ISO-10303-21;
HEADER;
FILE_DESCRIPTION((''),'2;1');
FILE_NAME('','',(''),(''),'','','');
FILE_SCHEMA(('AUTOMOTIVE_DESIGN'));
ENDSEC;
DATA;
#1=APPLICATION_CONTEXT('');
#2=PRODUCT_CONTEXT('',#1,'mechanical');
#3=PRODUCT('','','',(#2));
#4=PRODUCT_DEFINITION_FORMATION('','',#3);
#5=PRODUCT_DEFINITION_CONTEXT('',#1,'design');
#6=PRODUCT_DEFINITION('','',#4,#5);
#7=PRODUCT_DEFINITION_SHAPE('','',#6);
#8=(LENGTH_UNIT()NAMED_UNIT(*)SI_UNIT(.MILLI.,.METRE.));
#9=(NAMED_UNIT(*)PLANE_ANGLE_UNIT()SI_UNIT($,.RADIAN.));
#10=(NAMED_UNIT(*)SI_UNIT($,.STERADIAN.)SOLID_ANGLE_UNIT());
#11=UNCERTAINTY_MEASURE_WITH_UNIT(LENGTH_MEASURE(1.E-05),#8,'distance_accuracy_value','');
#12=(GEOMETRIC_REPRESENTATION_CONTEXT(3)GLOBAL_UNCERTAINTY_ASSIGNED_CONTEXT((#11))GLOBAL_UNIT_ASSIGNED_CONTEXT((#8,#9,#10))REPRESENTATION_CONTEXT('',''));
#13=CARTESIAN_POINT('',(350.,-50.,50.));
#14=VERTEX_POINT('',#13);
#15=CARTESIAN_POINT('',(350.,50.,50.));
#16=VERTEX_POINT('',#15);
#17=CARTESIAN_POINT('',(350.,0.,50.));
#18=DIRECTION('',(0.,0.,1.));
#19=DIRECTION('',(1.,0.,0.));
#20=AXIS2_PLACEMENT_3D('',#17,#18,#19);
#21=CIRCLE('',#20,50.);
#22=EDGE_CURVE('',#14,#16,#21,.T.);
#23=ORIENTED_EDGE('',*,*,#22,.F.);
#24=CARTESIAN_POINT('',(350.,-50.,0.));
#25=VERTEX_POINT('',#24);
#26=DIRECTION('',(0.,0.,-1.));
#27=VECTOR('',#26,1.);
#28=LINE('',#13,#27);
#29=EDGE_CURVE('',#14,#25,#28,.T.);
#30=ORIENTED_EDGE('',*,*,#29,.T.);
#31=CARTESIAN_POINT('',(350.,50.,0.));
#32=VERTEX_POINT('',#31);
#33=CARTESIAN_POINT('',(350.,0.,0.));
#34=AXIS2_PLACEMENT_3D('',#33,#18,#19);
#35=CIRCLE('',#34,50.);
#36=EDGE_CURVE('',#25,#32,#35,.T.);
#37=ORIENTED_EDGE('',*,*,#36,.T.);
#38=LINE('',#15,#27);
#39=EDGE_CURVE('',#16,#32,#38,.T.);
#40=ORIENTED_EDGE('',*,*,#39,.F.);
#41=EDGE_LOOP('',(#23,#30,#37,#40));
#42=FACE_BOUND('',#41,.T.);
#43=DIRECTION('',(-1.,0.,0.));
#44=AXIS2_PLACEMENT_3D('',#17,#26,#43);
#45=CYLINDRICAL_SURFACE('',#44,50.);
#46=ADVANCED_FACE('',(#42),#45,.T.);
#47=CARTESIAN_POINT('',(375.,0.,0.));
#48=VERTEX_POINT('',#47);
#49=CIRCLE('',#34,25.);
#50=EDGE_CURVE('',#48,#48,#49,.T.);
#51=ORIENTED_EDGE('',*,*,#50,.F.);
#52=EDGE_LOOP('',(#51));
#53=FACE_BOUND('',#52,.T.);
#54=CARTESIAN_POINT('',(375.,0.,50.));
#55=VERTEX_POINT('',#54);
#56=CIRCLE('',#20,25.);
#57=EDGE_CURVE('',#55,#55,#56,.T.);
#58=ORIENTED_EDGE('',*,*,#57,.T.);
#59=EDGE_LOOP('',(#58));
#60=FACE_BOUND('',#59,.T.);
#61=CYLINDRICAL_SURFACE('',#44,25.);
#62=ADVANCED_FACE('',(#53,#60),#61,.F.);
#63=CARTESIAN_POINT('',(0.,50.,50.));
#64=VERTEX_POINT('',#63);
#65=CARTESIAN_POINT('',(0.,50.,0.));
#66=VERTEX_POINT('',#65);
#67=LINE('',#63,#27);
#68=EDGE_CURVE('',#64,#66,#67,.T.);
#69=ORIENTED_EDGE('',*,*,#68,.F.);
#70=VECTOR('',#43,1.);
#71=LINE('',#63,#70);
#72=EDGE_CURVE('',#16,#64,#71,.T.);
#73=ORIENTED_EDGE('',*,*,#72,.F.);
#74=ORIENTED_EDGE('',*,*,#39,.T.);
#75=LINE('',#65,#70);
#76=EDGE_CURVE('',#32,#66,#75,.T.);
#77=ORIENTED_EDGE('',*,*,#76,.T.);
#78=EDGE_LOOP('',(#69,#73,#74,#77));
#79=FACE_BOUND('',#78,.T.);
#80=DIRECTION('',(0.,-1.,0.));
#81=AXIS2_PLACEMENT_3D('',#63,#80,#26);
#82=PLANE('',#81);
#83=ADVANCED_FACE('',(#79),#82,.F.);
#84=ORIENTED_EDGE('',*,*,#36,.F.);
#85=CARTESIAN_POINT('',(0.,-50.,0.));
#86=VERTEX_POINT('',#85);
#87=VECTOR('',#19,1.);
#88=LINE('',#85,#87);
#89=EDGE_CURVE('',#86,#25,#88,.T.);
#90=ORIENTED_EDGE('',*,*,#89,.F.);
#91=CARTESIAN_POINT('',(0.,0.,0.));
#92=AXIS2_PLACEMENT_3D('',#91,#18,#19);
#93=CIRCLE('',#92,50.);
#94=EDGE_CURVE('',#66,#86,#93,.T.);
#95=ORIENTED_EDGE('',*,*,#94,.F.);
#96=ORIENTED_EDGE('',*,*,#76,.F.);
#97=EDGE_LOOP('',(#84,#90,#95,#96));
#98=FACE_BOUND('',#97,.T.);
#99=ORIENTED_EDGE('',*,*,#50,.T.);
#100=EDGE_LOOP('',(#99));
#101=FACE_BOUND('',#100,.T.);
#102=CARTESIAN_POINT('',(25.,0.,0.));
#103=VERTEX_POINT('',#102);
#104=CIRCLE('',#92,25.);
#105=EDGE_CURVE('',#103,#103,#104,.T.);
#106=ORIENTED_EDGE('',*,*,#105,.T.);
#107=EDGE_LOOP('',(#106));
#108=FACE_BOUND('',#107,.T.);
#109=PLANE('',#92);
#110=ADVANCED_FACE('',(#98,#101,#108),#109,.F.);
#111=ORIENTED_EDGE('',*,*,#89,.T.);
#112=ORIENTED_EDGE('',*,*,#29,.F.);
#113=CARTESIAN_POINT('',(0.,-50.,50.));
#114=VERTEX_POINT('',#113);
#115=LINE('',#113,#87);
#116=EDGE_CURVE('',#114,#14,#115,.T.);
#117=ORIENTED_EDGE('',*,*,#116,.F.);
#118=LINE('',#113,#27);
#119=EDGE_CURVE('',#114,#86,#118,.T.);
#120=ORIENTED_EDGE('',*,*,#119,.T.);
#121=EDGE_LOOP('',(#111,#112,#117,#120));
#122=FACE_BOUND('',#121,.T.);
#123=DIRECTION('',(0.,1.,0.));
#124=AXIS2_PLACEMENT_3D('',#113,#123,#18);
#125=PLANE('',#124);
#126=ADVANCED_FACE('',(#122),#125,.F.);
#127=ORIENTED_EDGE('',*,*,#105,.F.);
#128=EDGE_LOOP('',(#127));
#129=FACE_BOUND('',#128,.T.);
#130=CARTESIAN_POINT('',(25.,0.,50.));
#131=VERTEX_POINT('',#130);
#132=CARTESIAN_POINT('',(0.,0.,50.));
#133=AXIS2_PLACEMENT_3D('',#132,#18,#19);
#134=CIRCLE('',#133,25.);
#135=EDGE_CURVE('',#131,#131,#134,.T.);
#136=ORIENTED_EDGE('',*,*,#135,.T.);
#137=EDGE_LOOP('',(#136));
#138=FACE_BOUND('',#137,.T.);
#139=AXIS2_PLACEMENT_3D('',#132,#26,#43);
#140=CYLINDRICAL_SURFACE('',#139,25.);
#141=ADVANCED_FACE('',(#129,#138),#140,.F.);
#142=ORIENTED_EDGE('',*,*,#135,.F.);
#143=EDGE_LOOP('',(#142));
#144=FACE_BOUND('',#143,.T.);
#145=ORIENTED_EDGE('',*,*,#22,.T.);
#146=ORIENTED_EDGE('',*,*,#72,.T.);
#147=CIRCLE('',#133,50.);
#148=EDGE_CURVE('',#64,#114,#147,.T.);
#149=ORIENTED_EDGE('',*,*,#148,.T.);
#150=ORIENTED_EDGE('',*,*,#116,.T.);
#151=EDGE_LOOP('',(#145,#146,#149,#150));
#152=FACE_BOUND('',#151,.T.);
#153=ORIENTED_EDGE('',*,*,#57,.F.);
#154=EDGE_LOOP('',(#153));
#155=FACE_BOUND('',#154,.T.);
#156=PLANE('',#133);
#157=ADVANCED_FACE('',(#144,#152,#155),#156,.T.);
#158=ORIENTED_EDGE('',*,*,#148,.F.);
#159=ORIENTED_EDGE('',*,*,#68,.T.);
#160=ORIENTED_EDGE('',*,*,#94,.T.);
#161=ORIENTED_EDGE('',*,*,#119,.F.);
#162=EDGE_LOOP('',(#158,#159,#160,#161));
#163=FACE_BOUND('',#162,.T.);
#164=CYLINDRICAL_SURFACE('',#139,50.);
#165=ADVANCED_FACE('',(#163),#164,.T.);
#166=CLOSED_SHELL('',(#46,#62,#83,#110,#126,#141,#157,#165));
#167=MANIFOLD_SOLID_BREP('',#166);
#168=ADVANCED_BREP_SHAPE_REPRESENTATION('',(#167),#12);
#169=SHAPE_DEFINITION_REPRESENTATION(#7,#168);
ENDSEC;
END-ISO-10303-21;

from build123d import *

# Parameters (mm, degrees)
SKETCH_1_R      = 25
EXTRUDE_1_DEPTH = 50


with BuildPart() as part:
    # 草图1 → 拉伸1 (new body)
    with BuildSketch(Plane.XY):
        with BuildLine():
            Line((0, 50), (350, 50))
            ThreePointArc((350, 50), (400, 0), (350, -50))
            Line((350, -50), (0, -50))
            ThreePointArc((0, -50), (-50, 0), (0, 50))
        make_face()
        Circle(SKETCH_1_R, mode=Mode.SUBTRACT)
        with Locations((350, 0)):
            Circle(SKETCH_1_R, mode=Mode.SUBTRACT)
    extrude(amount=EXTRUDE_1_DEPTH)


solid = part.part
